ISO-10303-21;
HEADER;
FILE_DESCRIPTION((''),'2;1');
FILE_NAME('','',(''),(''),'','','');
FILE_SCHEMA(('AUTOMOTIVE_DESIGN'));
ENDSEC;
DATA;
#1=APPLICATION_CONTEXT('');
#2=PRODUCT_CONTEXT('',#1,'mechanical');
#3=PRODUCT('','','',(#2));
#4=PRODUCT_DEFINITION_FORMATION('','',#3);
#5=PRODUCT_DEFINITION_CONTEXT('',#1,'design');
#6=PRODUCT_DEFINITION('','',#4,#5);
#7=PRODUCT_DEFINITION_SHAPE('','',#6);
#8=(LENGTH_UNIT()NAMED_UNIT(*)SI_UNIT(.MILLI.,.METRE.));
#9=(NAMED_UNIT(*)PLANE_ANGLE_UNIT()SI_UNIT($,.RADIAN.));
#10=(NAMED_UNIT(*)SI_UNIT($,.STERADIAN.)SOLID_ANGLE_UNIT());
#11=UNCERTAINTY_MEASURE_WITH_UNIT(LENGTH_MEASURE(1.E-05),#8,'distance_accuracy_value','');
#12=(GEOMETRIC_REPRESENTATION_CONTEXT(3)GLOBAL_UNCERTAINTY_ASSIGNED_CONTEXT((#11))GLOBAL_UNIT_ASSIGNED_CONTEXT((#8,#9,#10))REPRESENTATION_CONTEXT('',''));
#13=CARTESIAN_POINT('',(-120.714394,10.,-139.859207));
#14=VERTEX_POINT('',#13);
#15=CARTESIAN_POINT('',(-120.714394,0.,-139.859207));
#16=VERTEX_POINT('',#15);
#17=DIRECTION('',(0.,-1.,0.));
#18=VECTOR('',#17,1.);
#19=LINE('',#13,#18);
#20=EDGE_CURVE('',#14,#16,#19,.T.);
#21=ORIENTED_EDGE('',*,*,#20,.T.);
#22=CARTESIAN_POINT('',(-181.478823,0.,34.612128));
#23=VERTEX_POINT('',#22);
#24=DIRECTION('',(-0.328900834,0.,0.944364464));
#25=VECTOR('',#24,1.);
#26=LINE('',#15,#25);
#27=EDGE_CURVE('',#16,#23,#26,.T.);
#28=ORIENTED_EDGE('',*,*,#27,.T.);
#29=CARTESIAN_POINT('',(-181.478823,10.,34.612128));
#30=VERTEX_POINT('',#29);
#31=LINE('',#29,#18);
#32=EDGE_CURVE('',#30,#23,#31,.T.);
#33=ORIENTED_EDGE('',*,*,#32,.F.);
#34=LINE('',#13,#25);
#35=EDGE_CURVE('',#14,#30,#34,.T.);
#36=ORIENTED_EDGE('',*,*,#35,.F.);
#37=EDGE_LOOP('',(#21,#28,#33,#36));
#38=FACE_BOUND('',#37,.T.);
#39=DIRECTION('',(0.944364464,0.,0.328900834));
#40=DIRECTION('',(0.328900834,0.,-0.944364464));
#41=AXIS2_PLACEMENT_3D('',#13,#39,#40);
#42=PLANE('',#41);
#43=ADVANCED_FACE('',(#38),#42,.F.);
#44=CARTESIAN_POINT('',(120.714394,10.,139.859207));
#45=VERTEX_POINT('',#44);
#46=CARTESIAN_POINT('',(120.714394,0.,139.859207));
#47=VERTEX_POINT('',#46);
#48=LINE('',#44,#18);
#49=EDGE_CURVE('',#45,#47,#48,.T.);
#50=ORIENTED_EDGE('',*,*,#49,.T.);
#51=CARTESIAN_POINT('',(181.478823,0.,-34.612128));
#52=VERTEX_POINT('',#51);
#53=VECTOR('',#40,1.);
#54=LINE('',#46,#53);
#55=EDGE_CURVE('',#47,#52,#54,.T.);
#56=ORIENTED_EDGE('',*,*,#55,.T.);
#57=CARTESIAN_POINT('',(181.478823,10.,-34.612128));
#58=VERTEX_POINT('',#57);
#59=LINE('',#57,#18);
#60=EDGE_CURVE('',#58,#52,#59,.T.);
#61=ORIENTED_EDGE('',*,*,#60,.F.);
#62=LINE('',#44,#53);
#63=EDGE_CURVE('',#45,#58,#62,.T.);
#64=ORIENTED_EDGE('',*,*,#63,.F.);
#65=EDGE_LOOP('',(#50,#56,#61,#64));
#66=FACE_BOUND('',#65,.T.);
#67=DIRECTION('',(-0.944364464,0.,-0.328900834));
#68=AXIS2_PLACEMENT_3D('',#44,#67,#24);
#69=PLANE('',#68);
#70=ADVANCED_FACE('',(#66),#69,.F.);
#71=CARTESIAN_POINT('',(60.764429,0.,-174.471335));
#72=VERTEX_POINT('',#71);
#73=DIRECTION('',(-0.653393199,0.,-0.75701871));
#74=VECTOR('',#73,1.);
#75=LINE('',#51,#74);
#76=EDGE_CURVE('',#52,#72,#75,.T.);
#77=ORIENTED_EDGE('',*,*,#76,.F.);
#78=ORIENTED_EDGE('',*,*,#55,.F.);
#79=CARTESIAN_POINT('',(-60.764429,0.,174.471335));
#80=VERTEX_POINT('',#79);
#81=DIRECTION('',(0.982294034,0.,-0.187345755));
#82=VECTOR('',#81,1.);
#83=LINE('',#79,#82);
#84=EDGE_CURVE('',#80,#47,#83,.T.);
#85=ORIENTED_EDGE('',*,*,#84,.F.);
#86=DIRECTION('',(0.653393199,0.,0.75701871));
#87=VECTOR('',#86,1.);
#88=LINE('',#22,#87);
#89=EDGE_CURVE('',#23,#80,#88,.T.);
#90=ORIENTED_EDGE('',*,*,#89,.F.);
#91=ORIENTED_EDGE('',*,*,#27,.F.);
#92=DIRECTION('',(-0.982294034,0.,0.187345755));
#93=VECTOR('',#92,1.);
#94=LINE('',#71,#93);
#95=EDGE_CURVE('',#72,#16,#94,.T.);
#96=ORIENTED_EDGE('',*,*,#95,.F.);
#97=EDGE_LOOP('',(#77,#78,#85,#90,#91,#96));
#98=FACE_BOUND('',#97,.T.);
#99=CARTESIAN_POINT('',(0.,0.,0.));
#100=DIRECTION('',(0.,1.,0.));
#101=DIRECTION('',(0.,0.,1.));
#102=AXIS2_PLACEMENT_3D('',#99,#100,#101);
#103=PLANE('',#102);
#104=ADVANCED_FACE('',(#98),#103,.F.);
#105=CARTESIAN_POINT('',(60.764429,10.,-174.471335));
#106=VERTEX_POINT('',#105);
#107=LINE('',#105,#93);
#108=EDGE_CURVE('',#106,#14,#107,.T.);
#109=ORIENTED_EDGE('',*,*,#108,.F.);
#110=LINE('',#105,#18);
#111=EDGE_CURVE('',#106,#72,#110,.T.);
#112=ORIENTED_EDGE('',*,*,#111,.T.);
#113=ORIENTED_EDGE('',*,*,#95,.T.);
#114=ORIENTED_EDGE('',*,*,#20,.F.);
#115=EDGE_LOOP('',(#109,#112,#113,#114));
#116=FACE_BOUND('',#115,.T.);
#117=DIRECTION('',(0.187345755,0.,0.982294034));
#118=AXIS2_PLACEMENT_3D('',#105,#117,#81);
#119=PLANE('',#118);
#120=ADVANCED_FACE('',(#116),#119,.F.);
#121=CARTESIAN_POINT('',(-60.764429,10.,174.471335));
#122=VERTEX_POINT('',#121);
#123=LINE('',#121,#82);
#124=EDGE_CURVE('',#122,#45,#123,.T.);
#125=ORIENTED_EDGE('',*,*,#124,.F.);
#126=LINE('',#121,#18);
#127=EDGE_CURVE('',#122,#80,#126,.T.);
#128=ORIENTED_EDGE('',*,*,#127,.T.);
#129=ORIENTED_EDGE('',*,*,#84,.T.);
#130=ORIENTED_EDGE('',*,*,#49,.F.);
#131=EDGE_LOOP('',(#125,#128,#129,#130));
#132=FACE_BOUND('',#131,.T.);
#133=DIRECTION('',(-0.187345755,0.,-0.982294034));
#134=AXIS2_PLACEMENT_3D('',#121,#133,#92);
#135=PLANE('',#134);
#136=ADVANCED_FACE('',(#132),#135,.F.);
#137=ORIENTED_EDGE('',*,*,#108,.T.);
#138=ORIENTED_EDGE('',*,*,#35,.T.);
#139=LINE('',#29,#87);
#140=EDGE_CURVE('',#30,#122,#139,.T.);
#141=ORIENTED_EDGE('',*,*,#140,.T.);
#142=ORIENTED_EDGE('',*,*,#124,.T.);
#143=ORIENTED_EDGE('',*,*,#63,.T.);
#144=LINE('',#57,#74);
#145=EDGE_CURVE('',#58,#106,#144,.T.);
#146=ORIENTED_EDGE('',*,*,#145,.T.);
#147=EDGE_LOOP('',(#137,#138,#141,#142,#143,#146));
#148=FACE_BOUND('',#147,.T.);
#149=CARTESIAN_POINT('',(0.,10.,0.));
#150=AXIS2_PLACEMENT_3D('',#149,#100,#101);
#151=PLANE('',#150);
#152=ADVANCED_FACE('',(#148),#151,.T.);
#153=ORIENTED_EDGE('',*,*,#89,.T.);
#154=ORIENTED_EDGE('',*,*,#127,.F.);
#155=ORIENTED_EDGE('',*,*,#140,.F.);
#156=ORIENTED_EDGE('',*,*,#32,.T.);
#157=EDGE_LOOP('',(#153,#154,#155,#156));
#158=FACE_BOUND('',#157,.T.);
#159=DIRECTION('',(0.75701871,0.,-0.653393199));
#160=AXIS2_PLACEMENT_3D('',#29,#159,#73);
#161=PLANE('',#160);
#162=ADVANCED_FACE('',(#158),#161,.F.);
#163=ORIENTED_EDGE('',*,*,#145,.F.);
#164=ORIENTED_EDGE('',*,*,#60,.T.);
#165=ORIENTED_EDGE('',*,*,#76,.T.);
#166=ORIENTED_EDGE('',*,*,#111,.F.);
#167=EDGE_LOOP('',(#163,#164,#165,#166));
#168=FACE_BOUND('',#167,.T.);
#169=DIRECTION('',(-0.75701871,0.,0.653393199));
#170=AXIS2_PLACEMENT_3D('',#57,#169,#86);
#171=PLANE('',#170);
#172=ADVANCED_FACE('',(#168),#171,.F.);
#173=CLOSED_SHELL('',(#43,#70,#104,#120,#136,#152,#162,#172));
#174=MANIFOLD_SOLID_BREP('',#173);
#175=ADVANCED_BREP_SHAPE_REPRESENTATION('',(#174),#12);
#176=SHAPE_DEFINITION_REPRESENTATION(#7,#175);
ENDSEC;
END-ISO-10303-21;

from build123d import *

# Parameters (mm, degrees)
BOSS_EXTRUDE2_DEPTH = 10


with BuildPart() as part:
    # Sketch1 → Boss-Extrude2 (new body)
    with BuildSketch(Plane(origin=(0, 0, 0), x_dir=(1, 0, 0), z_dir=(0, 1, 0))):
        Polygon((120.714393603, -139.859206622), (181.47882269, 34.612128152), (60.764429086, 174.471334774), (-120.714393603, 139.859206622), (-181.47882269, -34.612128152), (-60.764429086, -174.471334774), align=None)
    extrude(amount=BOSS_EXTRUDE2_DEPTH)


solid = part.part
